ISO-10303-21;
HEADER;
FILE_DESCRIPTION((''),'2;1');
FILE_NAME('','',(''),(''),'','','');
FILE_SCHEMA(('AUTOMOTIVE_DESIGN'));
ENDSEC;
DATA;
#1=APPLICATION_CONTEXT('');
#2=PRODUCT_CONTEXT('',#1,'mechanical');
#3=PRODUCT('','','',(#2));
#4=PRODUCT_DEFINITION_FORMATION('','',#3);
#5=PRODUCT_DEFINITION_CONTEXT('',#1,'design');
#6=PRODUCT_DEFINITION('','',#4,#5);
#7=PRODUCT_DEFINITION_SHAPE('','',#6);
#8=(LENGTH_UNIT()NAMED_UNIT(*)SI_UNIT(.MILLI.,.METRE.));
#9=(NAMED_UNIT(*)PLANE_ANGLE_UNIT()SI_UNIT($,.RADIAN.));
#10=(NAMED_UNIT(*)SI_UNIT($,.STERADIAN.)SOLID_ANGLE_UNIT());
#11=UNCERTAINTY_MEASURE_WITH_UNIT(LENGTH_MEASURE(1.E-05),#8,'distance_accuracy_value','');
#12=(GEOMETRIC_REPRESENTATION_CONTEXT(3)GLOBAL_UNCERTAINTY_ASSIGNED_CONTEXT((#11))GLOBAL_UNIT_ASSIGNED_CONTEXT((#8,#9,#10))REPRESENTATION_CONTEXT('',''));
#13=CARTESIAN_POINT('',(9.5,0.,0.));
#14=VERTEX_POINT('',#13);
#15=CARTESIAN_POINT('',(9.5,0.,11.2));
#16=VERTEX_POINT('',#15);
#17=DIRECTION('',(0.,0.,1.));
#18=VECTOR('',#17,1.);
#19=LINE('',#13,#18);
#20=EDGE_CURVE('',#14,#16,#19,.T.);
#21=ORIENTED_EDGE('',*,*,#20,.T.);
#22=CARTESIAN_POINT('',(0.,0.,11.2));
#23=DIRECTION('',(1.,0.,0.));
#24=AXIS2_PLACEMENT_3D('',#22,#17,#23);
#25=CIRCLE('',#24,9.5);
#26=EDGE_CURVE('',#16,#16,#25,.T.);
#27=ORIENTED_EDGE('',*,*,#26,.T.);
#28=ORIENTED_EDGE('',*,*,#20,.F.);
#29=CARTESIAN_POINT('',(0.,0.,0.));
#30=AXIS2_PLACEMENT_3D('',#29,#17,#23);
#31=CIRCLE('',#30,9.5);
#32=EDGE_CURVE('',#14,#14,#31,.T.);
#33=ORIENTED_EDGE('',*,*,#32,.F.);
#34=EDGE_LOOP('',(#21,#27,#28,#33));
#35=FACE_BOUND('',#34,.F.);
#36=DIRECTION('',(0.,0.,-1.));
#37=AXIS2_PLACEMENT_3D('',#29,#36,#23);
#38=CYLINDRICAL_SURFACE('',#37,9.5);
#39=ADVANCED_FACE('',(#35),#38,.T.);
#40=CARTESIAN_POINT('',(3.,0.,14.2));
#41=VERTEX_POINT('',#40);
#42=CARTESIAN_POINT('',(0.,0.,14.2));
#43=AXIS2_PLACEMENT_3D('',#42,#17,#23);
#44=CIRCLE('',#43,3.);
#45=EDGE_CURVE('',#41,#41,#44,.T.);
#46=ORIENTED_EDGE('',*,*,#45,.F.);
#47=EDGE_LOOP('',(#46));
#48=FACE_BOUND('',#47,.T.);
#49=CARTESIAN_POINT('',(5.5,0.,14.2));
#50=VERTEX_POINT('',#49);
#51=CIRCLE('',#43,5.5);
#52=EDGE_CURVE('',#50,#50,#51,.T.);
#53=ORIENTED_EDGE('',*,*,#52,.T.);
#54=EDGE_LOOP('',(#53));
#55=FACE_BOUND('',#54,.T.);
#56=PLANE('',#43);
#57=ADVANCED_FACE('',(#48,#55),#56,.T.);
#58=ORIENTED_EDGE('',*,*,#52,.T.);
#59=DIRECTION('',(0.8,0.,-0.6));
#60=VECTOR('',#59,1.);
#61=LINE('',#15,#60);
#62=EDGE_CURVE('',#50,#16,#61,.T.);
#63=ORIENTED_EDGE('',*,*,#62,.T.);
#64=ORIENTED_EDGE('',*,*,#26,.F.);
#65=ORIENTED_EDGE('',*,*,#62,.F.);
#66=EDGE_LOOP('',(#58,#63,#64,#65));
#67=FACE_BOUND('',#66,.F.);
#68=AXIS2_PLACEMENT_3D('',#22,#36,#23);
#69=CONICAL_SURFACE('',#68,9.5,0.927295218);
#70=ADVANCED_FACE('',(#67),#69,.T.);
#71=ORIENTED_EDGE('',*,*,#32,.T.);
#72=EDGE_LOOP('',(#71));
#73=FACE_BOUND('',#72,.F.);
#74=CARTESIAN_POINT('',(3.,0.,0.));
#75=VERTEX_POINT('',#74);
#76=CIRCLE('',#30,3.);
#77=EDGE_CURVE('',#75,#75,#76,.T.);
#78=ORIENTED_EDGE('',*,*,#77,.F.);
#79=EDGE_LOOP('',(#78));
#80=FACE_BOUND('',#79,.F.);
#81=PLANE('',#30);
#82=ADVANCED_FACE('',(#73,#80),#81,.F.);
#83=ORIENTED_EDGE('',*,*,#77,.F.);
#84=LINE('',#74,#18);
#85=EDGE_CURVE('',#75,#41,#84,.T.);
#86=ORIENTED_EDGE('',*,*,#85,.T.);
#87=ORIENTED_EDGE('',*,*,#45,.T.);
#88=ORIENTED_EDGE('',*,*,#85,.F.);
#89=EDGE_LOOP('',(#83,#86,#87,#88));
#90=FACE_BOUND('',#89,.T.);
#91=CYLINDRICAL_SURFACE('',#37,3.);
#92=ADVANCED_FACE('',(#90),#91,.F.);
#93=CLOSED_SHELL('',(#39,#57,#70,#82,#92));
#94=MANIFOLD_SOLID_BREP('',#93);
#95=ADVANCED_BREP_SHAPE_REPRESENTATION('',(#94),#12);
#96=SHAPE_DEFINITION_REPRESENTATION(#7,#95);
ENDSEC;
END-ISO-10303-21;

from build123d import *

# Parameters (mm, degrees)
F0_R     = 9.5
F0_R_2   = 3
F1_DEPTH = 14.2
F2_SIZE2 = 3
F2_SIZE  = 4


with BuildPart() as f1:
    # F0 (on Top) → F1 (new body)
    with BuildSketch(Plane.XY):
        Circle(F0_R)
        Circle(F0_R_2, mode=Mode.SUBTRACT)
    extrude(amount=F1_DEPTH)

    # F2
    f2_edges = [f1.edges().sort_by_distance(p)[0] for p in [
        (-9.5, 0, 14.2),
    ]]
    f2_side = f1.faces().sort_by_distance((-9.231299, 0, 14.2))[0]
    chamfer(f2_edges, length=F2_SIZE, length2=F2_SIZE2, reference=f2_side)


solid = f1.part
